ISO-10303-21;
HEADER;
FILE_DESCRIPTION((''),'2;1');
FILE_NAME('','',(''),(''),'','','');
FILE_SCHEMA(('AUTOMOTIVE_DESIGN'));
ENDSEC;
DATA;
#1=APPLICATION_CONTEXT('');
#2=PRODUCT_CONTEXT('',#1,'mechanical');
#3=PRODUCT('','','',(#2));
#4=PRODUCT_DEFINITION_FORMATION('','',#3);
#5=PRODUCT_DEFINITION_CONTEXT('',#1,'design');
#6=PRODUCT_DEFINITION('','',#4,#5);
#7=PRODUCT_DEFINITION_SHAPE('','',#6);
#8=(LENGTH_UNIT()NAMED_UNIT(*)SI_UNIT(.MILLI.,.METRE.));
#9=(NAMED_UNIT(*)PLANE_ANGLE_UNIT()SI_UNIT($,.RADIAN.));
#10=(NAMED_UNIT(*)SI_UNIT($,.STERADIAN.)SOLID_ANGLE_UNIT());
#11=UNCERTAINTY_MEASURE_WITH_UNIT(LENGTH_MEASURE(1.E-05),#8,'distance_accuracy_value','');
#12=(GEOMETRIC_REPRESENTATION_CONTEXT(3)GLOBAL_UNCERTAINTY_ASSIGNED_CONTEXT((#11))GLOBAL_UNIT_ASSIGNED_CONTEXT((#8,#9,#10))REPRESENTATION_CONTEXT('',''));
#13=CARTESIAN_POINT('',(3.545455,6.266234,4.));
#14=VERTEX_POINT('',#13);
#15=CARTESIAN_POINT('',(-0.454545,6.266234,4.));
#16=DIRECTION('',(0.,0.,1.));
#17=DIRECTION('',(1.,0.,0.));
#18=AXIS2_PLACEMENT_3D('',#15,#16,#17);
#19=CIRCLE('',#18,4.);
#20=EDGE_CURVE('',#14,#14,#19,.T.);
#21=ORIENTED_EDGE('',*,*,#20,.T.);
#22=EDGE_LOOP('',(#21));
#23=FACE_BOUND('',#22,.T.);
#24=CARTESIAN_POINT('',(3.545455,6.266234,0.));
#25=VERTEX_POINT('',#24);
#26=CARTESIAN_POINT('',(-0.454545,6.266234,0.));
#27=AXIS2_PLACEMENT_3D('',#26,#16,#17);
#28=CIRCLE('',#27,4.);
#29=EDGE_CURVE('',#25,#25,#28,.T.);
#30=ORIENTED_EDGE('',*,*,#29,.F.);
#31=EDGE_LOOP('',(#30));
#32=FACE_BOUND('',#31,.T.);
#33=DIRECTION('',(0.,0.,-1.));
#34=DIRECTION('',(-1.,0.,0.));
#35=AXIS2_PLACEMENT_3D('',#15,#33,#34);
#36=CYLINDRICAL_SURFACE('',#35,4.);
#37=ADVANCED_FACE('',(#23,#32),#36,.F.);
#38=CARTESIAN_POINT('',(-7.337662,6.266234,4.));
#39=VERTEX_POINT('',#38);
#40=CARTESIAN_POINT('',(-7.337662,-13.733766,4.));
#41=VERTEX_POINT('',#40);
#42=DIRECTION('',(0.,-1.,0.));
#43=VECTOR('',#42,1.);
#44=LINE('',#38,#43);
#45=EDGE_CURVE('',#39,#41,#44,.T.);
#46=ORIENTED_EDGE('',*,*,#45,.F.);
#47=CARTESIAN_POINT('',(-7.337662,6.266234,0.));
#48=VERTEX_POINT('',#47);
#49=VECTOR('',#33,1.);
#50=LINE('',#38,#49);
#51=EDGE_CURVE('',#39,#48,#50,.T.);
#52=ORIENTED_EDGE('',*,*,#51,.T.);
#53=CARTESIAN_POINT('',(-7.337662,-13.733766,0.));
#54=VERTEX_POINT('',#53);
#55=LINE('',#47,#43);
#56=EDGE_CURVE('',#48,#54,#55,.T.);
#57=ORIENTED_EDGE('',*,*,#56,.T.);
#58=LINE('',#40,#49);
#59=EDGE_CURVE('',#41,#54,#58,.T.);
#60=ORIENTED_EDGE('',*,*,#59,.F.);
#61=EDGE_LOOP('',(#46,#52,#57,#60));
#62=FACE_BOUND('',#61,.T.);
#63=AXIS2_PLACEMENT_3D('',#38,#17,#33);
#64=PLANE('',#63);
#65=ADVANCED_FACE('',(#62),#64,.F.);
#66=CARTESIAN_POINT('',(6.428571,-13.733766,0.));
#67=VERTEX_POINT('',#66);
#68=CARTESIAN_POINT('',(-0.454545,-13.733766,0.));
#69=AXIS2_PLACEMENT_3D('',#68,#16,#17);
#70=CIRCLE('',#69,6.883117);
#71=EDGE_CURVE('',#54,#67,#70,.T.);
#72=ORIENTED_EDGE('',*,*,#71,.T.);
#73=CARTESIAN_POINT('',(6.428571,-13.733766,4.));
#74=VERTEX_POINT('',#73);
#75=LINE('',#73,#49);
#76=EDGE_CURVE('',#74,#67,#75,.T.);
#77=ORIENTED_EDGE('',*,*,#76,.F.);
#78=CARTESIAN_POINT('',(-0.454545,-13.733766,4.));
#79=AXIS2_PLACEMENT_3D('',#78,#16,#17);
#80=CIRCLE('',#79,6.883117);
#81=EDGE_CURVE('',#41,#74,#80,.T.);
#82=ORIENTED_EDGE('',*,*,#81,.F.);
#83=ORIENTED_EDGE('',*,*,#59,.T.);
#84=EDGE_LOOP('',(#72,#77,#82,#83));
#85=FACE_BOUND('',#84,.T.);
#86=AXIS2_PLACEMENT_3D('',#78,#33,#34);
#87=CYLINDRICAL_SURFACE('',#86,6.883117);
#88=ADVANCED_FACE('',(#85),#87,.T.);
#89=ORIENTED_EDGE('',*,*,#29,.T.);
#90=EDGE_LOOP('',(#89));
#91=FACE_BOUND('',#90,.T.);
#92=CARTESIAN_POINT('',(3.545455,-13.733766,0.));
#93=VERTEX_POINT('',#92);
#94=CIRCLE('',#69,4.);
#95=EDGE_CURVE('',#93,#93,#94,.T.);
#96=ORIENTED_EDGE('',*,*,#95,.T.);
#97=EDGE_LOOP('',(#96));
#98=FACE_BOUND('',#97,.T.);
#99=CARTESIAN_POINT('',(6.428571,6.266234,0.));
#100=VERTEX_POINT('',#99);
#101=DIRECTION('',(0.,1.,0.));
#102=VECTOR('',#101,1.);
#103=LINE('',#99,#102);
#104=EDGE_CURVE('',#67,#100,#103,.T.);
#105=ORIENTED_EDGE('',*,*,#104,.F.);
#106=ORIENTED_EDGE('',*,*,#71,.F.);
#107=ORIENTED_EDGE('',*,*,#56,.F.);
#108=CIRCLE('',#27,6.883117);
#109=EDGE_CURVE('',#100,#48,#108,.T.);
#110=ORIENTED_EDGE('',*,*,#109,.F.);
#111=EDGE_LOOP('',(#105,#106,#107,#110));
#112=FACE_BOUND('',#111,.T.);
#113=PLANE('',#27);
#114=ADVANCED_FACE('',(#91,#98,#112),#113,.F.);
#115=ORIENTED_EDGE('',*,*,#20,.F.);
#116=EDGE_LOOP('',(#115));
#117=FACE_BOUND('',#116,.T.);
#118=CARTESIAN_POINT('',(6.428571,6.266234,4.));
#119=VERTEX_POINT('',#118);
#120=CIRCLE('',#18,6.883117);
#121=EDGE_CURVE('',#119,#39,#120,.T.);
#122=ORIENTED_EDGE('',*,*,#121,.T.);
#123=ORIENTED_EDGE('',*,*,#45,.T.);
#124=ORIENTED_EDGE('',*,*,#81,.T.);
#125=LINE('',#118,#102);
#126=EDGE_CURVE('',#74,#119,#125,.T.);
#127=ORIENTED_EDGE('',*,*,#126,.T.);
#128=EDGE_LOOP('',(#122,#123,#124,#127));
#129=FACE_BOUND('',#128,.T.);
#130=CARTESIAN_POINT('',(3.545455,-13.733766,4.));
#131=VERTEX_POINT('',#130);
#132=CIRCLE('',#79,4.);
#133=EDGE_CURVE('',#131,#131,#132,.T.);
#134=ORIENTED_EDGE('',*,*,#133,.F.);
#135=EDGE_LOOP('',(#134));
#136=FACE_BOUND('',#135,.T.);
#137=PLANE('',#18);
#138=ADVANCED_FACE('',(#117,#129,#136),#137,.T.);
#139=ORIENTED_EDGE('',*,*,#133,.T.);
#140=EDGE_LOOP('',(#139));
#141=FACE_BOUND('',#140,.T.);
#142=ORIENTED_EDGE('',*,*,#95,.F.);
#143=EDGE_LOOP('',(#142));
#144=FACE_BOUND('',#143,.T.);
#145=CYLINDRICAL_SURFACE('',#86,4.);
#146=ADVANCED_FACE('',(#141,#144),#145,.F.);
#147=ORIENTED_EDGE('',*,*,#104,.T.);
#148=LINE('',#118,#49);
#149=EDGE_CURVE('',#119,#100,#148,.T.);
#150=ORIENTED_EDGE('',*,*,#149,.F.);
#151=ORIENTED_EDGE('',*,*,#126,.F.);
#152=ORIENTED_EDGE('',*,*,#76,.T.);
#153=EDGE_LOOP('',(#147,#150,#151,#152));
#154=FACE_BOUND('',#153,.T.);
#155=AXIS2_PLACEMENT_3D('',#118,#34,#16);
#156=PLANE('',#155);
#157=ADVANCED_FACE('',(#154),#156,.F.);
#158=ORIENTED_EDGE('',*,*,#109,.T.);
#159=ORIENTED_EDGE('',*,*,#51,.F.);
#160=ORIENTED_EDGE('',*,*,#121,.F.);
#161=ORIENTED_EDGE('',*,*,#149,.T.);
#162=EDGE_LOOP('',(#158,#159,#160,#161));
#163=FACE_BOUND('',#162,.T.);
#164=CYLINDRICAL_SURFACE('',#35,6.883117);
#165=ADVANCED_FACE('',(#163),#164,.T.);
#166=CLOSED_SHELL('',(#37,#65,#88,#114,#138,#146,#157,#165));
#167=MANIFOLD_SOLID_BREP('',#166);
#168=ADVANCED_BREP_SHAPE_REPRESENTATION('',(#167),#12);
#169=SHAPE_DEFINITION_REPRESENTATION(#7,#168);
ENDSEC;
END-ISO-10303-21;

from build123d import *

# Parameters (mm, degrees)
CROQUIS1_R              = 4
SALIENTE_EXTRUIR1_DEPTH = 4


with BuildPart() as part:
    # Croquis1 → Saliente-Extruir1 (new body)
    with BuildSketch(Plane.XY):
        with BuildLine():
            Line((6.428571429, 6.266233766), (6.428571429, -13.733766234))
            ThreePointArc((6.428571429, -13.733766234), (-0.454545455, -20.616883117), (-7.337662338, -13.733766234))
            Line((-7.337662338, -13.733766234), (-7.337662338, 6.266233766))
            ThreePointArc((-7.337662338, 6.266233766), (-0.454545455, 13.149350649), (6.428571429, 6.266233766))
        make_face()
        with Locations((-0.454545455, 6.266233766)):
            Circle(CROQUIS1_R, mode=Mode.SUBTRACT)
        with Locations((-0.454545455, -13.733766234)):
            Circle(CROQUIS1_R, mode=Mode.SUBTRACT)
    extrude(amount=SALIENTE_EXTRUIR1_DEPTH)


solid = part.part
